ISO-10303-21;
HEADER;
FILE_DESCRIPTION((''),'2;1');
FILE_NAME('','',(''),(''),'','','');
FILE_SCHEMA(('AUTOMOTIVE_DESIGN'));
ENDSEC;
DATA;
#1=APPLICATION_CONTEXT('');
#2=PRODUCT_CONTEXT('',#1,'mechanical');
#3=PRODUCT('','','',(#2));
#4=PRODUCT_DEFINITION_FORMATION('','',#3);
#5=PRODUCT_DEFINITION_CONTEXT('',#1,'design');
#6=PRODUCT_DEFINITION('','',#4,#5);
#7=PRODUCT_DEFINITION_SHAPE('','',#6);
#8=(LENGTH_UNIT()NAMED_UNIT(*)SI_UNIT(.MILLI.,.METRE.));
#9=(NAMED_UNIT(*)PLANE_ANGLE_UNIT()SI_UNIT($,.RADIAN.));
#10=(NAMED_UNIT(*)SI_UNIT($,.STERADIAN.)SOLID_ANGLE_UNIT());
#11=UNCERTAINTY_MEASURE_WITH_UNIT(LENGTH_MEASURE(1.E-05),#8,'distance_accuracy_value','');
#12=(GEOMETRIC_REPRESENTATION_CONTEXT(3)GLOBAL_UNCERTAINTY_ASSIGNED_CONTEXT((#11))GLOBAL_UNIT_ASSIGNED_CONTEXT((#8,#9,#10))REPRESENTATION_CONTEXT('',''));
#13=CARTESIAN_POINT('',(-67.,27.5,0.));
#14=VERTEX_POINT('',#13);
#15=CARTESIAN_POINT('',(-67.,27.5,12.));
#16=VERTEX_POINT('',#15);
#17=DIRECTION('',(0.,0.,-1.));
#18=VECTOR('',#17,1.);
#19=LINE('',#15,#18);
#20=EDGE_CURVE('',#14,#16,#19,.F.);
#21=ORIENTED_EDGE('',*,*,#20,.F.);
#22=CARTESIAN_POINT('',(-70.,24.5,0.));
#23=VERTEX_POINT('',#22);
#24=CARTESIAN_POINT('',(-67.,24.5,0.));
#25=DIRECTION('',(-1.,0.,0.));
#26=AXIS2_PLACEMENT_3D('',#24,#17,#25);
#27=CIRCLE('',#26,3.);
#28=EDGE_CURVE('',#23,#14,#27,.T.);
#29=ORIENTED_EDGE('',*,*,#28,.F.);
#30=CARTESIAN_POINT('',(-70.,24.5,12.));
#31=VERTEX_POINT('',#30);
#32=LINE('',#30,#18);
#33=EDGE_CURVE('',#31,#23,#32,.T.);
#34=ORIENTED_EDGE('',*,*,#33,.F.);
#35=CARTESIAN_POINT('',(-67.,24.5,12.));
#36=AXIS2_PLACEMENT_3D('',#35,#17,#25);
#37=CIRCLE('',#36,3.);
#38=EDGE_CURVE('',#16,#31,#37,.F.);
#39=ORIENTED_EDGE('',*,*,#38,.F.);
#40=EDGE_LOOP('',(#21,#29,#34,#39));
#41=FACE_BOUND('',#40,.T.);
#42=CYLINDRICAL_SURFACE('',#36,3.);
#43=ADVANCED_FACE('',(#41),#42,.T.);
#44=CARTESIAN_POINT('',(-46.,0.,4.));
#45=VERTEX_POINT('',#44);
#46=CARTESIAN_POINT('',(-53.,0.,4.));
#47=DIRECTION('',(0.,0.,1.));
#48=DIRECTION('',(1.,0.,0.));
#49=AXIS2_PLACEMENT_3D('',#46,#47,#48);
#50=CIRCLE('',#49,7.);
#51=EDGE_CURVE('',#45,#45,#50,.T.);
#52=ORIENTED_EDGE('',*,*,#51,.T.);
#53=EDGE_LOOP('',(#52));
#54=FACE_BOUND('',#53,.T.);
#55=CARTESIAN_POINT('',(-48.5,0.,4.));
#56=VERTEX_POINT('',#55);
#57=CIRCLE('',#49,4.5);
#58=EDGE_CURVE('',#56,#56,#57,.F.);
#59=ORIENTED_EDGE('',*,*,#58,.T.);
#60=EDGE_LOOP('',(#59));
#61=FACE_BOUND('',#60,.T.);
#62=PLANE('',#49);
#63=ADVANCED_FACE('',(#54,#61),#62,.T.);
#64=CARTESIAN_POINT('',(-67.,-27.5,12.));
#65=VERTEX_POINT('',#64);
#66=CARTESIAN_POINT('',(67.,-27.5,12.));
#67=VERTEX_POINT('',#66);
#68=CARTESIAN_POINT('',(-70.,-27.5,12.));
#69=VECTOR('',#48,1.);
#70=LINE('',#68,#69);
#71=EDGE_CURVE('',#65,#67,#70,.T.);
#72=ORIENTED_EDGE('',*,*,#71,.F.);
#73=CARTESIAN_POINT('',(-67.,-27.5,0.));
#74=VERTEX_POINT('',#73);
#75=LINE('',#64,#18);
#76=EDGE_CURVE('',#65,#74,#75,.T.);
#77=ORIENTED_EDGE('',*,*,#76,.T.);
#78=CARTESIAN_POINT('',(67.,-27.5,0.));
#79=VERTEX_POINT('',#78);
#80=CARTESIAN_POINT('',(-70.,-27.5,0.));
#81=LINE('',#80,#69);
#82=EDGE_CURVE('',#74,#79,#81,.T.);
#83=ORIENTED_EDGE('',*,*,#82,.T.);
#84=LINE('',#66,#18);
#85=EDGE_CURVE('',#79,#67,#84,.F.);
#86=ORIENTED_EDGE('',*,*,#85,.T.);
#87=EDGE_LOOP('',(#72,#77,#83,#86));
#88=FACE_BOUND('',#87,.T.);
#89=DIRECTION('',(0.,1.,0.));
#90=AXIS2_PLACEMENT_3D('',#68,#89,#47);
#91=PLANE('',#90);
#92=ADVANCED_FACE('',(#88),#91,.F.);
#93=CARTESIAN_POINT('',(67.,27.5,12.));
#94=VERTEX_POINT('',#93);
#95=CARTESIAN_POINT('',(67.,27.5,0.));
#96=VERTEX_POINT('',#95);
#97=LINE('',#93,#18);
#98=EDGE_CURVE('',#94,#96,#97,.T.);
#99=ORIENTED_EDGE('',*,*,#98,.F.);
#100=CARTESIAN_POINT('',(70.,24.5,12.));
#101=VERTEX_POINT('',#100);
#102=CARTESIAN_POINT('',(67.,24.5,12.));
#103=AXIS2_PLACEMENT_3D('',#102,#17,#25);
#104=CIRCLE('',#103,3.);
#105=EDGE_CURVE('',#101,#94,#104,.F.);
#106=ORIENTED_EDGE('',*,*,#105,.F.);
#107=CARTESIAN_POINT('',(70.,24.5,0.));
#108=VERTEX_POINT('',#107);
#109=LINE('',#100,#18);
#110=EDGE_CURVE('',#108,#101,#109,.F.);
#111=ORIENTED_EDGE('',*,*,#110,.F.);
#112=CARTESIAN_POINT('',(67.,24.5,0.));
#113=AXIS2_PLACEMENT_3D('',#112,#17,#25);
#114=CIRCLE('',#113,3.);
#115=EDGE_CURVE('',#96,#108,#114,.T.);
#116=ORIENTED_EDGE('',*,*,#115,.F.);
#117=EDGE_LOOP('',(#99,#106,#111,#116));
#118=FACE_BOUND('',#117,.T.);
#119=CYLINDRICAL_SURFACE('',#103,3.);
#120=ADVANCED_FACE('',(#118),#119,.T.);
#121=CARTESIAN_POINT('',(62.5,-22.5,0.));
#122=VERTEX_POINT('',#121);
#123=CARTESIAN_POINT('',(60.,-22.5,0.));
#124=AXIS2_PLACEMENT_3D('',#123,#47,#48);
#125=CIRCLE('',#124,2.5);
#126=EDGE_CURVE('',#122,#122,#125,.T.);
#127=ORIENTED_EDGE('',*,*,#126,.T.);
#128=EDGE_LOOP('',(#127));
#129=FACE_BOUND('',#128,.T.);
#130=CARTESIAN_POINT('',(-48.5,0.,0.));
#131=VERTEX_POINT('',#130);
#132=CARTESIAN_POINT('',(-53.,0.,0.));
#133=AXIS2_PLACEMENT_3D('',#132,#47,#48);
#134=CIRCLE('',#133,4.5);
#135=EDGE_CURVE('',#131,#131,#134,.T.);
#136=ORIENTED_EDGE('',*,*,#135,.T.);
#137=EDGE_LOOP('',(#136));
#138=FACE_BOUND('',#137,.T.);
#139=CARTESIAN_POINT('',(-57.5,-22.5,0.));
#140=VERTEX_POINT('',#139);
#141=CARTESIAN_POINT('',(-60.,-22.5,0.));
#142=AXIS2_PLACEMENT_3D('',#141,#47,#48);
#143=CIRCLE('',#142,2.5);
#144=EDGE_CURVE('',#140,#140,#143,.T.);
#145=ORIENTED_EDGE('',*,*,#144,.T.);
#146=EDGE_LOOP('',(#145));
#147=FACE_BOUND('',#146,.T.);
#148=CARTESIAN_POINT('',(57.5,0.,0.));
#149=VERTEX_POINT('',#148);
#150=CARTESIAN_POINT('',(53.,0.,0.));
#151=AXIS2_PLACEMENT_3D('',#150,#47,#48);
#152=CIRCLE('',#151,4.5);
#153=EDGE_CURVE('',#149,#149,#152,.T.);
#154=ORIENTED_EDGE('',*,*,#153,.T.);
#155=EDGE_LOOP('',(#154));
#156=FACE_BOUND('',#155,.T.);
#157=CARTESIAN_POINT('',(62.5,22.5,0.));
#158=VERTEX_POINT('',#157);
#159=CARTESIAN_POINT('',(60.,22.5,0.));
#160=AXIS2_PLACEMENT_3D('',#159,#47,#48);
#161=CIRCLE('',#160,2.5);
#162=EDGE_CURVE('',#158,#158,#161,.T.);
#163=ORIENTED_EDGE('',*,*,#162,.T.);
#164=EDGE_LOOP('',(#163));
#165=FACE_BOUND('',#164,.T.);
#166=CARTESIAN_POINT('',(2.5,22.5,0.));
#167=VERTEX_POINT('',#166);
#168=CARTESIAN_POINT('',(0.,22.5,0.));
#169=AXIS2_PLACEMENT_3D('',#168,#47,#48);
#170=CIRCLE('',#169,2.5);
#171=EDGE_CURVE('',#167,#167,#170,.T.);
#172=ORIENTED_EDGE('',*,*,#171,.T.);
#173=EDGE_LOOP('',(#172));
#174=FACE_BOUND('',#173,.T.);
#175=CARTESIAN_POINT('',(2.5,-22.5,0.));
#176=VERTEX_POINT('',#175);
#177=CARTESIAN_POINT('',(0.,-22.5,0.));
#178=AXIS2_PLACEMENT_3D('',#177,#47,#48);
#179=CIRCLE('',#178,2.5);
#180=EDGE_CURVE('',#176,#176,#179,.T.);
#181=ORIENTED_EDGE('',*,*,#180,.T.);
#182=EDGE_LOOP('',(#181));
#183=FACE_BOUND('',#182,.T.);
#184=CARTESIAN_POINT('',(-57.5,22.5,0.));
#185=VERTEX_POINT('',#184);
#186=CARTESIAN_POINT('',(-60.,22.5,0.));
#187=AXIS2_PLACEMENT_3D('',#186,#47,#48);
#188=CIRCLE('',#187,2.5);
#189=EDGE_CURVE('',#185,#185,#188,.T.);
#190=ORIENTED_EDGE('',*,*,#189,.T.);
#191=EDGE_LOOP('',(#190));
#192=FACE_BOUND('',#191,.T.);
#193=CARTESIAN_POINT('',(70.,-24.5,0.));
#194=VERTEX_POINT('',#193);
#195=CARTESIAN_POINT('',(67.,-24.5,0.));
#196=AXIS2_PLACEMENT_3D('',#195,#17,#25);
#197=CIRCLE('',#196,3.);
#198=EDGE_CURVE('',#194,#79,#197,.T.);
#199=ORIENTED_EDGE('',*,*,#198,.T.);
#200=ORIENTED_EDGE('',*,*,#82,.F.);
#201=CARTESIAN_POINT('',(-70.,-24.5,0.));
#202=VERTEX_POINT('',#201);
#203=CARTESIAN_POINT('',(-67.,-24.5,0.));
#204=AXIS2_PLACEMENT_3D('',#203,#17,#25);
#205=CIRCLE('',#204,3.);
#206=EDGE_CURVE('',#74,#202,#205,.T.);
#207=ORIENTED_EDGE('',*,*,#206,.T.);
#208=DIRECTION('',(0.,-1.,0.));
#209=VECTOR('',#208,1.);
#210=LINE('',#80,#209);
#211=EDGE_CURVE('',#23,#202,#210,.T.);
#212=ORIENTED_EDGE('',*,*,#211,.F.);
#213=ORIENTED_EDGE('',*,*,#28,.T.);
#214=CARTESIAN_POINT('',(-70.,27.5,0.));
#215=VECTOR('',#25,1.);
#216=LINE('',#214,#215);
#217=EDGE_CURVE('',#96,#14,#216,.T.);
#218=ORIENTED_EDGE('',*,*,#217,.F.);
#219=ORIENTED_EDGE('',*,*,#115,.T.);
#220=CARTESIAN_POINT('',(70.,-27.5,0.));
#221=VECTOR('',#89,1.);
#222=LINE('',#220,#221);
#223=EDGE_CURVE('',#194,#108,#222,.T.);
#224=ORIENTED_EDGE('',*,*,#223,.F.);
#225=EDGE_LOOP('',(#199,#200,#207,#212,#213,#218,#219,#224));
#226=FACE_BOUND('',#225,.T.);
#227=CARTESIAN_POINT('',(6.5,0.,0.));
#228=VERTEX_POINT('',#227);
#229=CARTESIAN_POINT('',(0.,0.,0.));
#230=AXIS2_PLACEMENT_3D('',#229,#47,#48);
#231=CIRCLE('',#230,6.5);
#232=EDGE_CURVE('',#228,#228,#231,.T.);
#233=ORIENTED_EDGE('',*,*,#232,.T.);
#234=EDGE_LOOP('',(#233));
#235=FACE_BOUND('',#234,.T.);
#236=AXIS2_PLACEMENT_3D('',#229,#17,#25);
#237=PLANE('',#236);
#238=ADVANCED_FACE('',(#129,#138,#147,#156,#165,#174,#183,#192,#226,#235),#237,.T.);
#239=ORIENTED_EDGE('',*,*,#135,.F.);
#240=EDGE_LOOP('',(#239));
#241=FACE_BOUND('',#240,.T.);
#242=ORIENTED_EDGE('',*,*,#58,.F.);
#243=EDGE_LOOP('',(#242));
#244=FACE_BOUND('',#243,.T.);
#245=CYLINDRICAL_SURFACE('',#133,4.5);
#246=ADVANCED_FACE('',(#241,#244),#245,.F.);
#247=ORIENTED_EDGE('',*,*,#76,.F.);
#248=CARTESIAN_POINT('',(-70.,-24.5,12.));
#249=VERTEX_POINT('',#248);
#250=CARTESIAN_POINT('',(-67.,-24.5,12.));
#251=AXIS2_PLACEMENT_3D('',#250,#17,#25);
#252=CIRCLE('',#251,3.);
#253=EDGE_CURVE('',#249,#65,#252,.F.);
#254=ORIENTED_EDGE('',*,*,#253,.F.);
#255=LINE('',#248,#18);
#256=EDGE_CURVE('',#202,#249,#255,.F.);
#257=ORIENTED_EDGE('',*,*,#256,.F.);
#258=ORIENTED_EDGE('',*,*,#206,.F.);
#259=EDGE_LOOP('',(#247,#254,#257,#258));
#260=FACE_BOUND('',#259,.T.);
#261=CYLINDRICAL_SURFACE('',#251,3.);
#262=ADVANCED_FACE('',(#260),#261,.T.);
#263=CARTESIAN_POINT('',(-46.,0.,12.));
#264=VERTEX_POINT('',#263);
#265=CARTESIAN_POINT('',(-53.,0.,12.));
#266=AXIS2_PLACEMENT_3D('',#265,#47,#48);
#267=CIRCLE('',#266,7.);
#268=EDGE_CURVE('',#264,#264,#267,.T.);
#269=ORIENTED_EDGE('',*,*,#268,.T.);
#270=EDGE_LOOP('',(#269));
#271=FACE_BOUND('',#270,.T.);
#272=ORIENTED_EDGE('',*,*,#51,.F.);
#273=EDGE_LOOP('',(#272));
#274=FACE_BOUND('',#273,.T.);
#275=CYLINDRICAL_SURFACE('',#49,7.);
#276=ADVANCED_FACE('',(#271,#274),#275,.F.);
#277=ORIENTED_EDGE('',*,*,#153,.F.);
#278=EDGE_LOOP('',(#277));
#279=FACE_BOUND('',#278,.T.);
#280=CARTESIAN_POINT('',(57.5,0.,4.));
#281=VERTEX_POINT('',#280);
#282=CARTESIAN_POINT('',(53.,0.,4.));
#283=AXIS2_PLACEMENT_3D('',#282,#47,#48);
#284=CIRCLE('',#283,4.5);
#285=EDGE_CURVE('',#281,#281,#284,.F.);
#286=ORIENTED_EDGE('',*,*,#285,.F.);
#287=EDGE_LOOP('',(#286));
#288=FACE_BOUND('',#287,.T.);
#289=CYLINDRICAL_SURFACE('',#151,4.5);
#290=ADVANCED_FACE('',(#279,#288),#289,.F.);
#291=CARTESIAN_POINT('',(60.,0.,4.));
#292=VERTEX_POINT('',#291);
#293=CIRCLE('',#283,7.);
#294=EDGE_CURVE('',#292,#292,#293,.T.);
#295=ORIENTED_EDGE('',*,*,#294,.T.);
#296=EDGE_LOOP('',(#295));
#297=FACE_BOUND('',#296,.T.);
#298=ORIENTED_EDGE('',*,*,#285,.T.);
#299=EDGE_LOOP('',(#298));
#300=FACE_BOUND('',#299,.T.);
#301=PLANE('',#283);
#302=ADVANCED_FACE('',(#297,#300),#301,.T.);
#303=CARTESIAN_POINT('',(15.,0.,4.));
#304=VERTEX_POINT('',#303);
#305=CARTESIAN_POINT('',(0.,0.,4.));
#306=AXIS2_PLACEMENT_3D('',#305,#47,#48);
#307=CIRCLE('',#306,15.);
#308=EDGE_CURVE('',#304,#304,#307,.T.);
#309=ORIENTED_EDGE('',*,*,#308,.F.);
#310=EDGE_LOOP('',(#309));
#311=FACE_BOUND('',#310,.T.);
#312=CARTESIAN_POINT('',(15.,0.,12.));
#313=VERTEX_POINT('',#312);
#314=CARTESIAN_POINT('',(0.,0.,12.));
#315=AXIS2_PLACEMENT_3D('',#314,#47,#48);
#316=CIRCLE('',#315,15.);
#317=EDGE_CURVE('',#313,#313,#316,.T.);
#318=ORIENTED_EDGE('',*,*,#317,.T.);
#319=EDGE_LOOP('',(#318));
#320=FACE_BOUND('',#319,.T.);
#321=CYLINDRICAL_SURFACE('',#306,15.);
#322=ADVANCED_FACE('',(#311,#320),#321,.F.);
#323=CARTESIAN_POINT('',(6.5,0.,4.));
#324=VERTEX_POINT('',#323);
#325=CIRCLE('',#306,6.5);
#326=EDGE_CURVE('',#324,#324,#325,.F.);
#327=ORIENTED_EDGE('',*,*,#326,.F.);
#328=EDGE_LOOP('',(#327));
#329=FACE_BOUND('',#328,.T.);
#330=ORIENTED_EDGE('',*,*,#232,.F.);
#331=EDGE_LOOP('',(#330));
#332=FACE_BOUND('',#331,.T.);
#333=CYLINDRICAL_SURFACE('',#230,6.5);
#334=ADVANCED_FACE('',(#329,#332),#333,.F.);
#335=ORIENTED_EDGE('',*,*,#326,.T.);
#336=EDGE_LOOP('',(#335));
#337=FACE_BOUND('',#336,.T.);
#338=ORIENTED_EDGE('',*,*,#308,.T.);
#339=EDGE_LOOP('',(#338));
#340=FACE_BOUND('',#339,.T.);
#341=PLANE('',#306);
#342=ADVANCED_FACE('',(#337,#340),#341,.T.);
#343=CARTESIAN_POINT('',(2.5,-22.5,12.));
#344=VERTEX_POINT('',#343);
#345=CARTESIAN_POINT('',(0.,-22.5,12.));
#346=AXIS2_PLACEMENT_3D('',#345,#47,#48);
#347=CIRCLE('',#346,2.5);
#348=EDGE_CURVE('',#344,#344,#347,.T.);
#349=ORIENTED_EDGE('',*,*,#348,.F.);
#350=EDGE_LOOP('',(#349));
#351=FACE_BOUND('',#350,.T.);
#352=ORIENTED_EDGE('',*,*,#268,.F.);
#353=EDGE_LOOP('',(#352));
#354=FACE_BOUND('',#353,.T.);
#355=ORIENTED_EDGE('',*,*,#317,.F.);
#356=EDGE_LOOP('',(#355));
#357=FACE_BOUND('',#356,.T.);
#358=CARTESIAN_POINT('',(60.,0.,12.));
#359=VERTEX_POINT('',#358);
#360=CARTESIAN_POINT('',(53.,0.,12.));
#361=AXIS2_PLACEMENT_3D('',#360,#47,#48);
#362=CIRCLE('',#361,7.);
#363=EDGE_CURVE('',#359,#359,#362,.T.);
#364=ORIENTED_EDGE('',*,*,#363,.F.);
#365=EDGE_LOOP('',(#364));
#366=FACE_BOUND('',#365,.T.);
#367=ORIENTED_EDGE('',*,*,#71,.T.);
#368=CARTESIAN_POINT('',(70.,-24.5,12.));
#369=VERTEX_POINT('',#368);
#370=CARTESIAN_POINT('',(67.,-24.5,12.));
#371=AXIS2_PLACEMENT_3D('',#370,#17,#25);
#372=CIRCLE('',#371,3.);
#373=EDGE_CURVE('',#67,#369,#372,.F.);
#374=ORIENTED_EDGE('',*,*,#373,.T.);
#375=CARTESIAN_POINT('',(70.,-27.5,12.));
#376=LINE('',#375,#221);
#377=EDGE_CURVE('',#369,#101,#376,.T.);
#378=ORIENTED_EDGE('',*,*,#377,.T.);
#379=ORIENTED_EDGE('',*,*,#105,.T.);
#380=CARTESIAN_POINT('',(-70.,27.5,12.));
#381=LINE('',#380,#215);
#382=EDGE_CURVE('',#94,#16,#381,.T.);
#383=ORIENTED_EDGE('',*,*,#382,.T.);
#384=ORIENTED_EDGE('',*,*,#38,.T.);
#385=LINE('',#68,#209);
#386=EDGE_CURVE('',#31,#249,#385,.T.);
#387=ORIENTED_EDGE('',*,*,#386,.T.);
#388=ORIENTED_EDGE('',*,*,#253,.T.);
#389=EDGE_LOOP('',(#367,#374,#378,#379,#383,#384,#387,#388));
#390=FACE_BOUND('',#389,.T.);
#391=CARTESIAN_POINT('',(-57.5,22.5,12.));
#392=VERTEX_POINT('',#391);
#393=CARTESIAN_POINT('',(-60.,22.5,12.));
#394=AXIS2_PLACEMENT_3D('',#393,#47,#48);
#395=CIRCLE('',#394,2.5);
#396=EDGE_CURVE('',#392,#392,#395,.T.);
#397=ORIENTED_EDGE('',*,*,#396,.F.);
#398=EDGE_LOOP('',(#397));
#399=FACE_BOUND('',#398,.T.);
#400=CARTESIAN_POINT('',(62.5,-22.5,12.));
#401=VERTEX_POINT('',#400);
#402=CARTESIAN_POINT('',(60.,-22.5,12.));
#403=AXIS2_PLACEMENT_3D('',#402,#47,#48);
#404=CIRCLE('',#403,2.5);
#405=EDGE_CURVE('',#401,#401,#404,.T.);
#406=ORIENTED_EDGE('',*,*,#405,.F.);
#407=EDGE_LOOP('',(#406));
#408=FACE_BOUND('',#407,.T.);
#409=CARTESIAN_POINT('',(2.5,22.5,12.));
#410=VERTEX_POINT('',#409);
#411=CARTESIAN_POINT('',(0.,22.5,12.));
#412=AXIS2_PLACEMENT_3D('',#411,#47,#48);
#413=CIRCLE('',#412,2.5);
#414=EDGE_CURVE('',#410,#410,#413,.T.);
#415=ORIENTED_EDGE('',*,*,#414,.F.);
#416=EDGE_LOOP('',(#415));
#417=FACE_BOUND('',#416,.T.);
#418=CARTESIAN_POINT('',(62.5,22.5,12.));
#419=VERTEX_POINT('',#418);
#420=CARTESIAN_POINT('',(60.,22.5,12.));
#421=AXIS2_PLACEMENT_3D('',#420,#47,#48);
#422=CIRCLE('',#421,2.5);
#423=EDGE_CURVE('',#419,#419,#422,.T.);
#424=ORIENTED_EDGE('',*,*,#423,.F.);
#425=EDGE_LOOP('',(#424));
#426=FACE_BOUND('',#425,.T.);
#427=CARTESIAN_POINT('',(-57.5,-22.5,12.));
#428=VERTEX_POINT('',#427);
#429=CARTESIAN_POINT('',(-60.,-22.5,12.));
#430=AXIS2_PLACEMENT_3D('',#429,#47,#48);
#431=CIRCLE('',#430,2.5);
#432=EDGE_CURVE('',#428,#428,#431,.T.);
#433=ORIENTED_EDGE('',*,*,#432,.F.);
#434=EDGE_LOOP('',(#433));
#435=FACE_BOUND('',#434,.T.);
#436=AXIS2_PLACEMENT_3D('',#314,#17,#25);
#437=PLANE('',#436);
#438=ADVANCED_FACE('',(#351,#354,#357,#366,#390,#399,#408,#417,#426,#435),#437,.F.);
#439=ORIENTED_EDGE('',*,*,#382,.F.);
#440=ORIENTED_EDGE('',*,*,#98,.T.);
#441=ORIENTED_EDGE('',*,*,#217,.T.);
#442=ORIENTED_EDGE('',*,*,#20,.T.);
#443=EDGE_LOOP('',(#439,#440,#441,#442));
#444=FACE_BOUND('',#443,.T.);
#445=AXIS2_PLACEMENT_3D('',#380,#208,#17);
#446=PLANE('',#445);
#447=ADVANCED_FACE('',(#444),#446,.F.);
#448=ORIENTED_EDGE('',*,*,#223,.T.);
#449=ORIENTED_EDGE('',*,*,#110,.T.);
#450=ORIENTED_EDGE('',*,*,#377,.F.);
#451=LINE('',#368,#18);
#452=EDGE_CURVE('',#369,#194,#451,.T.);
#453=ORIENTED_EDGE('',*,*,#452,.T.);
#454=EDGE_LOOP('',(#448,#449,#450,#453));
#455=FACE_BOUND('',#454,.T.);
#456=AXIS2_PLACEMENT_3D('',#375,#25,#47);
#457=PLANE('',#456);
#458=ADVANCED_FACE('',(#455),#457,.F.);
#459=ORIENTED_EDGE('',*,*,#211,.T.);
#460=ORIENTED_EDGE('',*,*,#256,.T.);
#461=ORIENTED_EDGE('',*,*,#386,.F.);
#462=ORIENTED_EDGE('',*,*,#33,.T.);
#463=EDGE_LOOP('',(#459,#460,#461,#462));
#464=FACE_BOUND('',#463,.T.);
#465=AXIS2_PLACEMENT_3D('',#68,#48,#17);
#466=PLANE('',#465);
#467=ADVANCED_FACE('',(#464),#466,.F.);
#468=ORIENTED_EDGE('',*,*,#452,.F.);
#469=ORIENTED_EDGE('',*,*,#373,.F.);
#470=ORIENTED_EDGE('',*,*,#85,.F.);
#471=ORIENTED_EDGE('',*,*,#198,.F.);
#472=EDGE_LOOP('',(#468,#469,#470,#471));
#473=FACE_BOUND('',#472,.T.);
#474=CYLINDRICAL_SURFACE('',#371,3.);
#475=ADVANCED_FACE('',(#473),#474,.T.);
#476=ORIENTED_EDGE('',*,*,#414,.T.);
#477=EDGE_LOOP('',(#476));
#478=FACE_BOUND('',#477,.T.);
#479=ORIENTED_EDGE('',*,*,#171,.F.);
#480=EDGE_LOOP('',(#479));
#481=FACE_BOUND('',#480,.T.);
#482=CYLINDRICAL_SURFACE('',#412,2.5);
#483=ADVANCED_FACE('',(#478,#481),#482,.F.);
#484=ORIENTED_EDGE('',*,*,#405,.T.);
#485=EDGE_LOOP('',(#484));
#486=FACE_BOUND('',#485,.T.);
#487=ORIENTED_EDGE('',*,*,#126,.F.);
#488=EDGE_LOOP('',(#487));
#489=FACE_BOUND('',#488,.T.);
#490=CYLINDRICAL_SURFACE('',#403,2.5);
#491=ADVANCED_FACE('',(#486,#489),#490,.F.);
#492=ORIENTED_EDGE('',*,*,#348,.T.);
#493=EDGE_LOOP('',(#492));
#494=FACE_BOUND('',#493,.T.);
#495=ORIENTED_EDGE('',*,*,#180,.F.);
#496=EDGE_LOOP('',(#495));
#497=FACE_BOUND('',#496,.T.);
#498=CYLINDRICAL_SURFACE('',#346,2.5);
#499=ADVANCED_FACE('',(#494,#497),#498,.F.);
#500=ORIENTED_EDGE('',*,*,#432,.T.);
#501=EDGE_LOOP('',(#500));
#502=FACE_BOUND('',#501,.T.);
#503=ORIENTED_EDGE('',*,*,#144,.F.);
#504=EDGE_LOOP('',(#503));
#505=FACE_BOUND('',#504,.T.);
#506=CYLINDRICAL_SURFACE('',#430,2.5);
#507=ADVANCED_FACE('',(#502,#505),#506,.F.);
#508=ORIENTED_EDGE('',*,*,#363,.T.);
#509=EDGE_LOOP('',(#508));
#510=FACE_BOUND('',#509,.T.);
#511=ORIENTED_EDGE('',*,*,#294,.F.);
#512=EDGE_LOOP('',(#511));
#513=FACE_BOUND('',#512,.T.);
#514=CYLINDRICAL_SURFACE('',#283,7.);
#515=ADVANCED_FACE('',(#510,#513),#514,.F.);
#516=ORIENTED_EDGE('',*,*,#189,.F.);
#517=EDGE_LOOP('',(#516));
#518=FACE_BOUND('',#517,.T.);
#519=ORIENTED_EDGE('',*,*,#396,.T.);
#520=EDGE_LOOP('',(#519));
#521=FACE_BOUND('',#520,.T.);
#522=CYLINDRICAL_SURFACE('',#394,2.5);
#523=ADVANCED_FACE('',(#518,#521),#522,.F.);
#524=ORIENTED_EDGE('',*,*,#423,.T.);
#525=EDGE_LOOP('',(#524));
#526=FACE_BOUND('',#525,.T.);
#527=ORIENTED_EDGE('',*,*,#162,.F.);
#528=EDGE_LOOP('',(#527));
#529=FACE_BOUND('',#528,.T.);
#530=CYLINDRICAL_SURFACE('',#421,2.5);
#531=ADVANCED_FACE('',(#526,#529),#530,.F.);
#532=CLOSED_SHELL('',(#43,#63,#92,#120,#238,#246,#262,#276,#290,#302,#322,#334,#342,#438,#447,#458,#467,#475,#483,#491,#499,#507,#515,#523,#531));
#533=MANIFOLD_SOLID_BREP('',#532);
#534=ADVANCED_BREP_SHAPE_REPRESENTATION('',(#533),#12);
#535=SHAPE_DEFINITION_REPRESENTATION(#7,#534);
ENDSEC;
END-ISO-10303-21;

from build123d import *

# Parameters (mm, degrees)
SKETCH_1_W          = 140
SKETCH_1_H          = 55
EXTRUDE_1_DEPTH     = 12
SKETCH_2_R          = 6.5
SKETCH_2_R_2        = 4.5
CUT_EXTRUDE_1_DEPTH = 77.159372371
FILLET_1_R          = 3
SKETCH_10_R         = 7
CUT_EXTRUDE_2_DEPTH = 8
SKETCH_11_R         = 15
CUT_EXTRUDE_3_DEPTH = 8
HOLE_WIZARD_M6_1_D  = 5


with BuildPart() as part:
    # 草图1 → 凸台-拉伸1 (new body)
    with BuildSketch(Plane.XY):
        Rectangle(SKETCH_1_W, SKETCH_1_H)
    extrude(amount=EXTRUDE_1_DEPTH)

    # 草图2 → 切除-拉伸1 (cut, through all)
    with BuildSketch(Plane.XY.offset(12)):
        Circle(SKETCH_2_R)
        with Locations((-53, 0)):
            Circle(SKETCH_2_R_2)
        with Locations((53, 0)):
            Circle(SKETCH_2_R_2)
    extrude(amount=-CUT_EXTRUDE_1_DEPTH, mode=Mode.SUBTRACT)

    # 圆角1
    fillet_1_edges = [part.edges().sort_by_distance(p)[0] for p in [
        (70, -27.5, 6),
        (-70, -27.5, 6),
        (-70, 27.5, 6),
        (70, 27.5, 6),
    ]]
    fillet(fillet_1_edges, radius=FILLET_1_R)

    # 草图10 → 切除-拉伸2 (cut)
    with BuildSketch(Plane.XY.offset(12)):
        with Locations((-53, 0)):
            Circle(SKETCH_10_R)
        with Locations((53, 0)):
            Circle(SKETCH_10_R)
    extrude(amount=-CUT_EXTRUDE_2_DEPTH, mode=Mode.SUBTRACT)

    # 草图11 → 切除-拉伸3 (cut)
    with BuildSketch(Plane.XY.offset(12)):
        Circle(SKETCH_11_R)
    extrude(amount=-CUT_EXTRUDE_3_DEPTH, mode=Mode.SUBTRACT)

    # M6 螺纹孔1 (through all)
    with Locations(Plane.XY.offset(12)):
        with Locations((-60, 22.5), (-60, -22.5), (0, -22.5), (0, 22.5), (60, 22.5), (60, -22.5)):
            Hole(HOLE_WIZARD_M6_1_D / 2)


solid = part.part
